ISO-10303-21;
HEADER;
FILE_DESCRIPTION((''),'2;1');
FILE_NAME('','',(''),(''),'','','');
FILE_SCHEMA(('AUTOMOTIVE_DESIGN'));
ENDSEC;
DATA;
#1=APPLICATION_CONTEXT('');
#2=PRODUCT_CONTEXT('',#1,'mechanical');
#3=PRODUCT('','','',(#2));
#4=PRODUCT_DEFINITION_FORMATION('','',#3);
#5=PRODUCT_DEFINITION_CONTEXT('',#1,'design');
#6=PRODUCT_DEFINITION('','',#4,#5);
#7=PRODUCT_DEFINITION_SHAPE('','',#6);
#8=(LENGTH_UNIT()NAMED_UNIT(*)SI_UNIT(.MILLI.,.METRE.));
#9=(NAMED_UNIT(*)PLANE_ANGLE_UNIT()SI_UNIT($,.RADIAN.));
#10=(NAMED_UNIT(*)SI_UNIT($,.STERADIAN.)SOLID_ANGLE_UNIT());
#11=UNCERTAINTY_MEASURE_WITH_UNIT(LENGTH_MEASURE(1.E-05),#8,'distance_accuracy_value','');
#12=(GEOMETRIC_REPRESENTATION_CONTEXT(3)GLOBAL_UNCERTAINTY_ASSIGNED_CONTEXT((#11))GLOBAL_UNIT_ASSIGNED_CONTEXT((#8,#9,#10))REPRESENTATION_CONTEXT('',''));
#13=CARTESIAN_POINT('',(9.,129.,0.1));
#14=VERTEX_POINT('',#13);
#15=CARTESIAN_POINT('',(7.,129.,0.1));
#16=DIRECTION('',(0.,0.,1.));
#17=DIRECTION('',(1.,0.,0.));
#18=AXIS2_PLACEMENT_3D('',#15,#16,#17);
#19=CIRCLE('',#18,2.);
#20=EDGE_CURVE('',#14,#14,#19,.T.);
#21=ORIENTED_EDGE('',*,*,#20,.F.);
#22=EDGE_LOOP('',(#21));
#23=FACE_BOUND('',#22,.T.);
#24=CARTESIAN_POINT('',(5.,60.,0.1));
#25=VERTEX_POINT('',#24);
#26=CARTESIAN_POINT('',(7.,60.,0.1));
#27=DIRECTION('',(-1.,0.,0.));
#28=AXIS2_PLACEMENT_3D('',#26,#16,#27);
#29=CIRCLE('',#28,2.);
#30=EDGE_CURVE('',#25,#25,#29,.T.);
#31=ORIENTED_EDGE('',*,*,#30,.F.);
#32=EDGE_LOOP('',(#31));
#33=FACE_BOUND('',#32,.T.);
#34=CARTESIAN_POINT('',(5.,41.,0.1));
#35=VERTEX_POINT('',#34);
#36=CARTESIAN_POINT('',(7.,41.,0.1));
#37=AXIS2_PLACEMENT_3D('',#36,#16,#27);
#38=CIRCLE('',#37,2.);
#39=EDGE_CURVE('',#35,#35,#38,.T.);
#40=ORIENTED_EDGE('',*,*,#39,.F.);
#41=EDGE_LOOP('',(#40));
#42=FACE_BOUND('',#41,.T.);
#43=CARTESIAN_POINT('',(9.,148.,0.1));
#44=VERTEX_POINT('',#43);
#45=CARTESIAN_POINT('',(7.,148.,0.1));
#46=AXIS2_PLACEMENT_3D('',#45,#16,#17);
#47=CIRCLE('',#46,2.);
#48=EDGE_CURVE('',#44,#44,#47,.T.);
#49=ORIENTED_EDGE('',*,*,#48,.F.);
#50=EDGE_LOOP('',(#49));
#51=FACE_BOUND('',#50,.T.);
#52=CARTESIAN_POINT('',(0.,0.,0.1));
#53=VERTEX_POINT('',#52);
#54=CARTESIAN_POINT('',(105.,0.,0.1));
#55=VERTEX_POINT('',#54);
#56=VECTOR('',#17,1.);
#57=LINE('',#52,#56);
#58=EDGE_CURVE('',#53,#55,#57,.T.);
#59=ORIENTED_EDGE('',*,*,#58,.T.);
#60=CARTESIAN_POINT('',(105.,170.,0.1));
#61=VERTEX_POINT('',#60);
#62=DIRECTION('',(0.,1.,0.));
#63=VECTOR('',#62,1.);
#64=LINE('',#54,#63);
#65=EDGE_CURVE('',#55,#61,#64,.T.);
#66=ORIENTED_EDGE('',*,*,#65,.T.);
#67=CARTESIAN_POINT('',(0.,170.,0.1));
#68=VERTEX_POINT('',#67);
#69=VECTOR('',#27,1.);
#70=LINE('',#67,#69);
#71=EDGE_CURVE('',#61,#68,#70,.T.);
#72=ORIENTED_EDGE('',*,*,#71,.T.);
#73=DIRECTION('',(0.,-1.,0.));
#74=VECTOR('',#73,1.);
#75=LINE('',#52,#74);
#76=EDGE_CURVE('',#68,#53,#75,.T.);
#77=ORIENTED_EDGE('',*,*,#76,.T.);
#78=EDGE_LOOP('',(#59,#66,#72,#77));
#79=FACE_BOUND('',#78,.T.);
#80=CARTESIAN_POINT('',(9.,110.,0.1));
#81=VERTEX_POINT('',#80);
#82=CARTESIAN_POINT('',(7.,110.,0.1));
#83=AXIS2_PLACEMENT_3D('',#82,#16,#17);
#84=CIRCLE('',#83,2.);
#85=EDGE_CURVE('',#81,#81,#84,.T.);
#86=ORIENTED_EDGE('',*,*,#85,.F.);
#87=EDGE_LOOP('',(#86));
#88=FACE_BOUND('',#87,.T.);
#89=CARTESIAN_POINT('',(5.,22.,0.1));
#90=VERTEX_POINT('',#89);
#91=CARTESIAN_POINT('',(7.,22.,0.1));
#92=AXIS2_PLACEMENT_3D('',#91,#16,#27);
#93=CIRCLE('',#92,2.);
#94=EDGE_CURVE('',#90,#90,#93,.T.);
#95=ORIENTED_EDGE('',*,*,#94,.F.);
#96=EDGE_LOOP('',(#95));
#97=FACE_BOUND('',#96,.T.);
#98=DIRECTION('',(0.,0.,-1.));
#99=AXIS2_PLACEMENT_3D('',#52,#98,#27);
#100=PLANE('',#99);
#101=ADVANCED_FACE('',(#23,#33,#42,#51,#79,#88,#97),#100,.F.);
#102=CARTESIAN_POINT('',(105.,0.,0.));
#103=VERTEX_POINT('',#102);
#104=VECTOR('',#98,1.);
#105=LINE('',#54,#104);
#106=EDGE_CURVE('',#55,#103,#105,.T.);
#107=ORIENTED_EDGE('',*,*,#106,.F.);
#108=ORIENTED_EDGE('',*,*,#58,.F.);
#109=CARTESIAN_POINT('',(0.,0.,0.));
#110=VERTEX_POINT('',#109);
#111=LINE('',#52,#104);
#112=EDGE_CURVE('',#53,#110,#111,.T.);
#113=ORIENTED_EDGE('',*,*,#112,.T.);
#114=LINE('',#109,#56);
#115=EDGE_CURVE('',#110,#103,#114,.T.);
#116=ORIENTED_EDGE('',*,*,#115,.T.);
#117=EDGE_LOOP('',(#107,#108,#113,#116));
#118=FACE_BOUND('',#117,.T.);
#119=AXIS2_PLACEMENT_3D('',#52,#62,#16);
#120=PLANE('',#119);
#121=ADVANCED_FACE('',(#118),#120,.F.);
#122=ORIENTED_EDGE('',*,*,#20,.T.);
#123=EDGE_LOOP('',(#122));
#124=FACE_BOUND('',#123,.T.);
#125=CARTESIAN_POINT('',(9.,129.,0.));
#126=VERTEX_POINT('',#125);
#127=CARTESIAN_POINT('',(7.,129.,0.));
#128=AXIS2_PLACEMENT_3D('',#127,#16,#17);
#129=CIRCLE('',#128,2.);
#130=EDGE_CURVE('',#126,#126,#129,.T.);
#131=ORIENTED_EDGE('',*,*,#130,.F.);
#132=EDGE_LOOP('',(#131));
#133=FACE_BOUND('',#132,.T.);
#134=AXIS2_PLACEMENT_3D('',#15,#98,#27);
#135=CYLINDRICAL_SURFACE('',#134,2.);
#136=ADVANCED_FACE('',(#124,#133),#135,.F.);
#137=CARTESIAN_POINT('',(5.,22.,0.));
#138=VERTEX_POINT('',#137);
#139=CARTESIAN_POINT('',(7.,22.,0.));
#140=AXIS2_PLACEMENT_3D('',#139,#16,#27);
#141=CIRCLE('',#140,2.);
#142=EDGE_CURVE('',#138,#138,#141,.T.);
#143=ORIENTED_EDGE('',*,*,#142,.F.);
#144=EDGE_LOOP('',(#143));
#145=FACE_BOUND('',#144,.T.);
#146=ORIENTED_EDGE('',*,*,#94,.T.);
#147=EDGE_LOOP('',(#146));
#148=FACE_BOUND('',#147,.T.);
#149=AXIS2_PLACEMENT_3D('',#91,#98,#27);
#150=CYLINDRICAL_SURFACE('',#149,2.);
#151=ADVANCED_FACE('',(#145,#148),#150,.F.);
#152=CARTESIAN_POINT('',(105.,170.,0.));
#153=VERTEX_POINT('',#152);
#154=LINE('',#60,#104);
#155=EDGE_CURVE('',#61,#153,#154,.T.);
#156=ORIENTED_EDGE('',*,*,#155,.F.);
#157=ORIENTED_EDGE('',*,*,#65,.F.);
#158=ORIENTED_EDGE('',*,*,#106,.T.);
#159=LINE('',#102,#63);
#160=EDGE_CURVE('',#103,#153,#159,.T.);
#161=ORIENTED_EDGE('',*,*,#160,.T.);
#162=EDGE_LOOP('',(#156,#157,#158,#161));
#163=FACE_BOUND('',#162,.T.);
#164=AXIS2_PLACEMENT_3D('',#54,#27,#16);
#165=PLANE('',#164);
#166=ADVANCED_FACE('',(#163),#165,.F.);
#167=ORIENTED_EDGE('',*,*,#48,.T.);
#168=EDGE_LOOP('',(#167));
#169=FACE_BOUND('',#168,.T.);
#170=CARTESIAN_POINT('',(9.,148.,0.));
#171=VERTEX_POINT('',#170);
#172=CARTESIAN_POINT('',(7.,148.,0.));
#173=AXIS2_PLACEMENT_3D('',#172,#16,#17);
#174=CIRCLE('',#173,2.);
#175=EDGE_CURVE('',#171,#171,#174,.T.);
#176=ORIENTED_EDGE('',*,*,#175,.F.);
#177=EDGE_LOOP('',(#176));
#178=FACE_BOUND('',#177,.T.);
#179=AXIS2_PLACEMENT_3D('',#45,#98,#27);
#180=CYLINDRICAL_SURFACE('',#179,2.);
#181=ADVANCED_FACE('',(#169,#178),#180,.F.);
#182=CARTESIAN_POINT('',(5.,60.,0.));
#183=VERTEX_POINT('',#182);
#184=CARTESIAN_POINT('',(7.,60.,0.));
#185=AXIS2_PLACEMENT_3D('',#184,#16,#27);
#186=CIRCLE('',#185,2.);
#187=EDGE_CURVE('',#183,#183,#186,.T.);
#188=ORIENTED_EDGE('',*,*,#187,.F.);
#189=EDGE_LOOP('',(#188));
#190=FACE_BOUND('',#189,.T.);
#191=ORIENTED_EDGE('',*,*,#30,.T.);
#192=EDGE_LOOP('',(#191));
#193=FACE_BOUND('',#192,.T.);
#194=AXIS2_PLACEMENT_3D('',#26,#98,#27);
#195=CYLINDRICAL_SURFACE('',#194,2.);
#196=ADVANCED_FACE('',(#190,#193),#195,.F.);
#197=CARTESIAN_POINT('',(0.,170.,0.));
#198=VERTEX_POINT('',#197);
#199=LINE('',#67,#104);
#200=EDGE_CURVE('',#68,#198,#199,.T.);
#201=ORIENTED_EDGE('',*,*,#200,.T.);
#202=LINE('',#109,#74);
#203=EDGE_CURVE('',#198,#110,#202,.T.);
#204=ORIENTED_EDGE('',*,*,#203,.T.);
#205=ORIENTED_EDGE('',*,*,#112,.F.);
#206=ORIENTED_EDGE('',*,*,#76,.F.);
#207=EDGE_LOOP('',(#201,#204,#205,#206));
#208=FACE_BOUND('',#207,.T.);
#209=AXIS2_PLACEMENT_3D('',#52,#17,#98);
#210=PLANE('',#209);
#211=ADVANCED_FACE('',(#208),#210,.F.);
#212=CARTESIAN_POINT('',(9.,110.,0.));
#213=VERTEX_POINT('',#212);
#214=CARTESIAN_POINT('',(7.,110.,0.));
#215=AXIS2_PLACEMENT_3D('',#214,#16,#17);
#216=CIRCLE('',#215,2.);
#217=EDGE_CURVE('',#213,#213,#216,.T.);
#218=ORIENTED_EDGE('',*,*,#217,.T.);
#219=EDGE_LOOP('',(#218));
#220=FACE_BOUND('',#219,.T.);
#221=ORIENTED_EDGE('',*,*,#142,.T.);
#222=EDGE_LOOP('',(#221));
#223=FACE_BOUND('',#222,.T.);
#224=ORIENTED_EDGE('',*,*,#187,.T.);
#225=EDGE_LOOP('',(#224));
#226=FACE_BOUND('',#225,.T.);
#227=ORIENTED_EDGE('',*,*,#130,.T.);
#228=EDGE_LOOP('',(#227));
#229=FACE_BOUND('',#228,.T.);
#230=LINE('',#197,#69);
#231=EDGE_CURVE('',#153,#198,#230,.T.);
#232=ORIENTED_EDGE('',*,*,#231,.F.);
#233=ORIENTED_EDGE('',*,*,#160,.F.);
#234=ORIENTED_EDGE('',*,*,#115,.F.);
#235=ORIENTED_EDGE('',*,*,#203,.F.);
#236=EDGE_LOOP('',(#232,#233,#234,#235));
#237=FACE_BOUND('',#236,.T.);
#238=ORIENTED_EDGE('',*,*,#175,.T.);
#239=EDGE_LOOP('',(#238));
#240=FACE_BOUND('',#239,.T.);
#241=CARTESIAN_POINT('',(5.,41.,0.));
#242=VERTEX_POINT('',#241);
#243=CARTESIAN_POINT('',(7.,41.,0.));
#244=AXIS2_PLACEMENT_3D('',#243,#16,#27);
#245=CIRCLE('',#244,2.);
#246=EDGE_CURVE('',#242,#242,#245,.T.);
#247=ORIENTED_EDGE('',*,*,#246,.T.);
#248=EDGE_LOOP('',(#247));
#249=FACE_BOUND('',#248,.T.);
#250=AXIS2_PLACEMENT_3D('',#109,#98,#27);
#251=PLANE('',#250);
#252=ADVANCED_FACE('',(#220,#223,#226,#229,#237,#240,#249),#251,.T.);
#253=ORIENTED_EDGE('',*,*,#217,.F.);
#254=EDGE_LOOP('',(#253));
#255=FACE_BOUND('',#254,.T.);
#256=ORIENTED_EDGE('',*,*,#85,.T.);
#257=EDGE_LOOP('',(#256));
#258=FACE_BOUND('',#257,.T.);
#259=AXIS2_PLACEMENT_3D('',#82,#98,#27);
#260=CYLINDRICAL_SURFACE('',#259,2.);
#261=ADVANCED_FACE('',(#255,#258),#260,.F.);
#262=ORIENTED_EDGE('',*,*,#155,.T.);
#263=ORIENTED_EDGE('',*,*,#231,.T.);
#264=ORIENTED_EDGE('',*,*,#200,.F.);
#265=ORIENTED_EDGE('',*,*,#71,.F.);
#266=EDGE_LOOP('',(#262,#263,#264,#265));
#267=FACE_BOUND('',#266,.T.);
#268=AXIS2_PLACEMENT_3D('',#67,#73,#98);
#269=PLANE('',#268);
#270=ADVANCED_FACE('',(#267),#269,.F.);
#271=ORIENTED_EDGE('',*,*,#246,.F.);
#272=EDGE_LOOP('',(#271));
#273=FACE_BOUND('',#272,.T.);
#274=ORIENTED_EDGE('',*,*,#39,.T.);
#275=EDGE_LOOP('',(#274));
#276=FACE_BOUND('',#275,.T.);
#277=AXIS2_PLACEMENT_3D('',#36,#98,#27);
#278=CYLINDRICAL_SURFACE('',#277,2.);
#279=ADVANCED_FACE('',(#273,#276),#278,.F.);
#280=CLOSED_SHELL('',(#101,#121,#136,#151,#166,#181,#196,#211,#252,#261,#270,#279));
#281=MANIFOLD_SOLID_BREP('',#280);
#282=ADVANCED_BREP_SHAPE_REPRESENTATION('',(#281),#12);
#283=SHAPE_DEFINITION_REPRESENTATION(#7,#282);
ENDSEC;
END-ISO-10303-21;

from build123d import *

# Parameters (mm, degrees)
SKETCH_1_W      = 105
SKETCH_1_H      = 170
SKETCH_1_R      = 2
EXTRUDE_1_DEPTH = 0.1


with BuildPart() as part:
    # Эскиз1 → Бобышка-Вытянуть1 (new body)
    with BuildSketch(Plane.XY):
        with Locations((52.5, 85)):
            Rectangle(SKETCH_1_W, SKETCH_1_H)
        with Locations((7, 110)):
            Circle(SKETCH_1_R, mode=Mode.SUBTRACT)
        with Locations((7, 129)):
            Circle(SKETCH_1_R, mode=Mode.SUBTRACT)
        with Locations((7, 148)):
            Circle(SKETCH_1_R, mode=Mode.SUBTRACT)
        with Locations(Location((7, 22, 0), (0, 0, 180))):
            Circle(SKETCH_1_R, mode=Mode.SUBTRACT)
        with Locations(Location((7, 41, 0), (0, 0, 180))):
            Circle(SKETCH_1_R, mode=Mode.SUBTRACT)
        with Locations(Location((7, 60, 0), (0, 0, 180))):
            Circle(SKETCH_1_R, mode=Mode.SUBTRACT)
    extrude(amount=EXTRUDE_1_DEPTH)


solid = part.part
